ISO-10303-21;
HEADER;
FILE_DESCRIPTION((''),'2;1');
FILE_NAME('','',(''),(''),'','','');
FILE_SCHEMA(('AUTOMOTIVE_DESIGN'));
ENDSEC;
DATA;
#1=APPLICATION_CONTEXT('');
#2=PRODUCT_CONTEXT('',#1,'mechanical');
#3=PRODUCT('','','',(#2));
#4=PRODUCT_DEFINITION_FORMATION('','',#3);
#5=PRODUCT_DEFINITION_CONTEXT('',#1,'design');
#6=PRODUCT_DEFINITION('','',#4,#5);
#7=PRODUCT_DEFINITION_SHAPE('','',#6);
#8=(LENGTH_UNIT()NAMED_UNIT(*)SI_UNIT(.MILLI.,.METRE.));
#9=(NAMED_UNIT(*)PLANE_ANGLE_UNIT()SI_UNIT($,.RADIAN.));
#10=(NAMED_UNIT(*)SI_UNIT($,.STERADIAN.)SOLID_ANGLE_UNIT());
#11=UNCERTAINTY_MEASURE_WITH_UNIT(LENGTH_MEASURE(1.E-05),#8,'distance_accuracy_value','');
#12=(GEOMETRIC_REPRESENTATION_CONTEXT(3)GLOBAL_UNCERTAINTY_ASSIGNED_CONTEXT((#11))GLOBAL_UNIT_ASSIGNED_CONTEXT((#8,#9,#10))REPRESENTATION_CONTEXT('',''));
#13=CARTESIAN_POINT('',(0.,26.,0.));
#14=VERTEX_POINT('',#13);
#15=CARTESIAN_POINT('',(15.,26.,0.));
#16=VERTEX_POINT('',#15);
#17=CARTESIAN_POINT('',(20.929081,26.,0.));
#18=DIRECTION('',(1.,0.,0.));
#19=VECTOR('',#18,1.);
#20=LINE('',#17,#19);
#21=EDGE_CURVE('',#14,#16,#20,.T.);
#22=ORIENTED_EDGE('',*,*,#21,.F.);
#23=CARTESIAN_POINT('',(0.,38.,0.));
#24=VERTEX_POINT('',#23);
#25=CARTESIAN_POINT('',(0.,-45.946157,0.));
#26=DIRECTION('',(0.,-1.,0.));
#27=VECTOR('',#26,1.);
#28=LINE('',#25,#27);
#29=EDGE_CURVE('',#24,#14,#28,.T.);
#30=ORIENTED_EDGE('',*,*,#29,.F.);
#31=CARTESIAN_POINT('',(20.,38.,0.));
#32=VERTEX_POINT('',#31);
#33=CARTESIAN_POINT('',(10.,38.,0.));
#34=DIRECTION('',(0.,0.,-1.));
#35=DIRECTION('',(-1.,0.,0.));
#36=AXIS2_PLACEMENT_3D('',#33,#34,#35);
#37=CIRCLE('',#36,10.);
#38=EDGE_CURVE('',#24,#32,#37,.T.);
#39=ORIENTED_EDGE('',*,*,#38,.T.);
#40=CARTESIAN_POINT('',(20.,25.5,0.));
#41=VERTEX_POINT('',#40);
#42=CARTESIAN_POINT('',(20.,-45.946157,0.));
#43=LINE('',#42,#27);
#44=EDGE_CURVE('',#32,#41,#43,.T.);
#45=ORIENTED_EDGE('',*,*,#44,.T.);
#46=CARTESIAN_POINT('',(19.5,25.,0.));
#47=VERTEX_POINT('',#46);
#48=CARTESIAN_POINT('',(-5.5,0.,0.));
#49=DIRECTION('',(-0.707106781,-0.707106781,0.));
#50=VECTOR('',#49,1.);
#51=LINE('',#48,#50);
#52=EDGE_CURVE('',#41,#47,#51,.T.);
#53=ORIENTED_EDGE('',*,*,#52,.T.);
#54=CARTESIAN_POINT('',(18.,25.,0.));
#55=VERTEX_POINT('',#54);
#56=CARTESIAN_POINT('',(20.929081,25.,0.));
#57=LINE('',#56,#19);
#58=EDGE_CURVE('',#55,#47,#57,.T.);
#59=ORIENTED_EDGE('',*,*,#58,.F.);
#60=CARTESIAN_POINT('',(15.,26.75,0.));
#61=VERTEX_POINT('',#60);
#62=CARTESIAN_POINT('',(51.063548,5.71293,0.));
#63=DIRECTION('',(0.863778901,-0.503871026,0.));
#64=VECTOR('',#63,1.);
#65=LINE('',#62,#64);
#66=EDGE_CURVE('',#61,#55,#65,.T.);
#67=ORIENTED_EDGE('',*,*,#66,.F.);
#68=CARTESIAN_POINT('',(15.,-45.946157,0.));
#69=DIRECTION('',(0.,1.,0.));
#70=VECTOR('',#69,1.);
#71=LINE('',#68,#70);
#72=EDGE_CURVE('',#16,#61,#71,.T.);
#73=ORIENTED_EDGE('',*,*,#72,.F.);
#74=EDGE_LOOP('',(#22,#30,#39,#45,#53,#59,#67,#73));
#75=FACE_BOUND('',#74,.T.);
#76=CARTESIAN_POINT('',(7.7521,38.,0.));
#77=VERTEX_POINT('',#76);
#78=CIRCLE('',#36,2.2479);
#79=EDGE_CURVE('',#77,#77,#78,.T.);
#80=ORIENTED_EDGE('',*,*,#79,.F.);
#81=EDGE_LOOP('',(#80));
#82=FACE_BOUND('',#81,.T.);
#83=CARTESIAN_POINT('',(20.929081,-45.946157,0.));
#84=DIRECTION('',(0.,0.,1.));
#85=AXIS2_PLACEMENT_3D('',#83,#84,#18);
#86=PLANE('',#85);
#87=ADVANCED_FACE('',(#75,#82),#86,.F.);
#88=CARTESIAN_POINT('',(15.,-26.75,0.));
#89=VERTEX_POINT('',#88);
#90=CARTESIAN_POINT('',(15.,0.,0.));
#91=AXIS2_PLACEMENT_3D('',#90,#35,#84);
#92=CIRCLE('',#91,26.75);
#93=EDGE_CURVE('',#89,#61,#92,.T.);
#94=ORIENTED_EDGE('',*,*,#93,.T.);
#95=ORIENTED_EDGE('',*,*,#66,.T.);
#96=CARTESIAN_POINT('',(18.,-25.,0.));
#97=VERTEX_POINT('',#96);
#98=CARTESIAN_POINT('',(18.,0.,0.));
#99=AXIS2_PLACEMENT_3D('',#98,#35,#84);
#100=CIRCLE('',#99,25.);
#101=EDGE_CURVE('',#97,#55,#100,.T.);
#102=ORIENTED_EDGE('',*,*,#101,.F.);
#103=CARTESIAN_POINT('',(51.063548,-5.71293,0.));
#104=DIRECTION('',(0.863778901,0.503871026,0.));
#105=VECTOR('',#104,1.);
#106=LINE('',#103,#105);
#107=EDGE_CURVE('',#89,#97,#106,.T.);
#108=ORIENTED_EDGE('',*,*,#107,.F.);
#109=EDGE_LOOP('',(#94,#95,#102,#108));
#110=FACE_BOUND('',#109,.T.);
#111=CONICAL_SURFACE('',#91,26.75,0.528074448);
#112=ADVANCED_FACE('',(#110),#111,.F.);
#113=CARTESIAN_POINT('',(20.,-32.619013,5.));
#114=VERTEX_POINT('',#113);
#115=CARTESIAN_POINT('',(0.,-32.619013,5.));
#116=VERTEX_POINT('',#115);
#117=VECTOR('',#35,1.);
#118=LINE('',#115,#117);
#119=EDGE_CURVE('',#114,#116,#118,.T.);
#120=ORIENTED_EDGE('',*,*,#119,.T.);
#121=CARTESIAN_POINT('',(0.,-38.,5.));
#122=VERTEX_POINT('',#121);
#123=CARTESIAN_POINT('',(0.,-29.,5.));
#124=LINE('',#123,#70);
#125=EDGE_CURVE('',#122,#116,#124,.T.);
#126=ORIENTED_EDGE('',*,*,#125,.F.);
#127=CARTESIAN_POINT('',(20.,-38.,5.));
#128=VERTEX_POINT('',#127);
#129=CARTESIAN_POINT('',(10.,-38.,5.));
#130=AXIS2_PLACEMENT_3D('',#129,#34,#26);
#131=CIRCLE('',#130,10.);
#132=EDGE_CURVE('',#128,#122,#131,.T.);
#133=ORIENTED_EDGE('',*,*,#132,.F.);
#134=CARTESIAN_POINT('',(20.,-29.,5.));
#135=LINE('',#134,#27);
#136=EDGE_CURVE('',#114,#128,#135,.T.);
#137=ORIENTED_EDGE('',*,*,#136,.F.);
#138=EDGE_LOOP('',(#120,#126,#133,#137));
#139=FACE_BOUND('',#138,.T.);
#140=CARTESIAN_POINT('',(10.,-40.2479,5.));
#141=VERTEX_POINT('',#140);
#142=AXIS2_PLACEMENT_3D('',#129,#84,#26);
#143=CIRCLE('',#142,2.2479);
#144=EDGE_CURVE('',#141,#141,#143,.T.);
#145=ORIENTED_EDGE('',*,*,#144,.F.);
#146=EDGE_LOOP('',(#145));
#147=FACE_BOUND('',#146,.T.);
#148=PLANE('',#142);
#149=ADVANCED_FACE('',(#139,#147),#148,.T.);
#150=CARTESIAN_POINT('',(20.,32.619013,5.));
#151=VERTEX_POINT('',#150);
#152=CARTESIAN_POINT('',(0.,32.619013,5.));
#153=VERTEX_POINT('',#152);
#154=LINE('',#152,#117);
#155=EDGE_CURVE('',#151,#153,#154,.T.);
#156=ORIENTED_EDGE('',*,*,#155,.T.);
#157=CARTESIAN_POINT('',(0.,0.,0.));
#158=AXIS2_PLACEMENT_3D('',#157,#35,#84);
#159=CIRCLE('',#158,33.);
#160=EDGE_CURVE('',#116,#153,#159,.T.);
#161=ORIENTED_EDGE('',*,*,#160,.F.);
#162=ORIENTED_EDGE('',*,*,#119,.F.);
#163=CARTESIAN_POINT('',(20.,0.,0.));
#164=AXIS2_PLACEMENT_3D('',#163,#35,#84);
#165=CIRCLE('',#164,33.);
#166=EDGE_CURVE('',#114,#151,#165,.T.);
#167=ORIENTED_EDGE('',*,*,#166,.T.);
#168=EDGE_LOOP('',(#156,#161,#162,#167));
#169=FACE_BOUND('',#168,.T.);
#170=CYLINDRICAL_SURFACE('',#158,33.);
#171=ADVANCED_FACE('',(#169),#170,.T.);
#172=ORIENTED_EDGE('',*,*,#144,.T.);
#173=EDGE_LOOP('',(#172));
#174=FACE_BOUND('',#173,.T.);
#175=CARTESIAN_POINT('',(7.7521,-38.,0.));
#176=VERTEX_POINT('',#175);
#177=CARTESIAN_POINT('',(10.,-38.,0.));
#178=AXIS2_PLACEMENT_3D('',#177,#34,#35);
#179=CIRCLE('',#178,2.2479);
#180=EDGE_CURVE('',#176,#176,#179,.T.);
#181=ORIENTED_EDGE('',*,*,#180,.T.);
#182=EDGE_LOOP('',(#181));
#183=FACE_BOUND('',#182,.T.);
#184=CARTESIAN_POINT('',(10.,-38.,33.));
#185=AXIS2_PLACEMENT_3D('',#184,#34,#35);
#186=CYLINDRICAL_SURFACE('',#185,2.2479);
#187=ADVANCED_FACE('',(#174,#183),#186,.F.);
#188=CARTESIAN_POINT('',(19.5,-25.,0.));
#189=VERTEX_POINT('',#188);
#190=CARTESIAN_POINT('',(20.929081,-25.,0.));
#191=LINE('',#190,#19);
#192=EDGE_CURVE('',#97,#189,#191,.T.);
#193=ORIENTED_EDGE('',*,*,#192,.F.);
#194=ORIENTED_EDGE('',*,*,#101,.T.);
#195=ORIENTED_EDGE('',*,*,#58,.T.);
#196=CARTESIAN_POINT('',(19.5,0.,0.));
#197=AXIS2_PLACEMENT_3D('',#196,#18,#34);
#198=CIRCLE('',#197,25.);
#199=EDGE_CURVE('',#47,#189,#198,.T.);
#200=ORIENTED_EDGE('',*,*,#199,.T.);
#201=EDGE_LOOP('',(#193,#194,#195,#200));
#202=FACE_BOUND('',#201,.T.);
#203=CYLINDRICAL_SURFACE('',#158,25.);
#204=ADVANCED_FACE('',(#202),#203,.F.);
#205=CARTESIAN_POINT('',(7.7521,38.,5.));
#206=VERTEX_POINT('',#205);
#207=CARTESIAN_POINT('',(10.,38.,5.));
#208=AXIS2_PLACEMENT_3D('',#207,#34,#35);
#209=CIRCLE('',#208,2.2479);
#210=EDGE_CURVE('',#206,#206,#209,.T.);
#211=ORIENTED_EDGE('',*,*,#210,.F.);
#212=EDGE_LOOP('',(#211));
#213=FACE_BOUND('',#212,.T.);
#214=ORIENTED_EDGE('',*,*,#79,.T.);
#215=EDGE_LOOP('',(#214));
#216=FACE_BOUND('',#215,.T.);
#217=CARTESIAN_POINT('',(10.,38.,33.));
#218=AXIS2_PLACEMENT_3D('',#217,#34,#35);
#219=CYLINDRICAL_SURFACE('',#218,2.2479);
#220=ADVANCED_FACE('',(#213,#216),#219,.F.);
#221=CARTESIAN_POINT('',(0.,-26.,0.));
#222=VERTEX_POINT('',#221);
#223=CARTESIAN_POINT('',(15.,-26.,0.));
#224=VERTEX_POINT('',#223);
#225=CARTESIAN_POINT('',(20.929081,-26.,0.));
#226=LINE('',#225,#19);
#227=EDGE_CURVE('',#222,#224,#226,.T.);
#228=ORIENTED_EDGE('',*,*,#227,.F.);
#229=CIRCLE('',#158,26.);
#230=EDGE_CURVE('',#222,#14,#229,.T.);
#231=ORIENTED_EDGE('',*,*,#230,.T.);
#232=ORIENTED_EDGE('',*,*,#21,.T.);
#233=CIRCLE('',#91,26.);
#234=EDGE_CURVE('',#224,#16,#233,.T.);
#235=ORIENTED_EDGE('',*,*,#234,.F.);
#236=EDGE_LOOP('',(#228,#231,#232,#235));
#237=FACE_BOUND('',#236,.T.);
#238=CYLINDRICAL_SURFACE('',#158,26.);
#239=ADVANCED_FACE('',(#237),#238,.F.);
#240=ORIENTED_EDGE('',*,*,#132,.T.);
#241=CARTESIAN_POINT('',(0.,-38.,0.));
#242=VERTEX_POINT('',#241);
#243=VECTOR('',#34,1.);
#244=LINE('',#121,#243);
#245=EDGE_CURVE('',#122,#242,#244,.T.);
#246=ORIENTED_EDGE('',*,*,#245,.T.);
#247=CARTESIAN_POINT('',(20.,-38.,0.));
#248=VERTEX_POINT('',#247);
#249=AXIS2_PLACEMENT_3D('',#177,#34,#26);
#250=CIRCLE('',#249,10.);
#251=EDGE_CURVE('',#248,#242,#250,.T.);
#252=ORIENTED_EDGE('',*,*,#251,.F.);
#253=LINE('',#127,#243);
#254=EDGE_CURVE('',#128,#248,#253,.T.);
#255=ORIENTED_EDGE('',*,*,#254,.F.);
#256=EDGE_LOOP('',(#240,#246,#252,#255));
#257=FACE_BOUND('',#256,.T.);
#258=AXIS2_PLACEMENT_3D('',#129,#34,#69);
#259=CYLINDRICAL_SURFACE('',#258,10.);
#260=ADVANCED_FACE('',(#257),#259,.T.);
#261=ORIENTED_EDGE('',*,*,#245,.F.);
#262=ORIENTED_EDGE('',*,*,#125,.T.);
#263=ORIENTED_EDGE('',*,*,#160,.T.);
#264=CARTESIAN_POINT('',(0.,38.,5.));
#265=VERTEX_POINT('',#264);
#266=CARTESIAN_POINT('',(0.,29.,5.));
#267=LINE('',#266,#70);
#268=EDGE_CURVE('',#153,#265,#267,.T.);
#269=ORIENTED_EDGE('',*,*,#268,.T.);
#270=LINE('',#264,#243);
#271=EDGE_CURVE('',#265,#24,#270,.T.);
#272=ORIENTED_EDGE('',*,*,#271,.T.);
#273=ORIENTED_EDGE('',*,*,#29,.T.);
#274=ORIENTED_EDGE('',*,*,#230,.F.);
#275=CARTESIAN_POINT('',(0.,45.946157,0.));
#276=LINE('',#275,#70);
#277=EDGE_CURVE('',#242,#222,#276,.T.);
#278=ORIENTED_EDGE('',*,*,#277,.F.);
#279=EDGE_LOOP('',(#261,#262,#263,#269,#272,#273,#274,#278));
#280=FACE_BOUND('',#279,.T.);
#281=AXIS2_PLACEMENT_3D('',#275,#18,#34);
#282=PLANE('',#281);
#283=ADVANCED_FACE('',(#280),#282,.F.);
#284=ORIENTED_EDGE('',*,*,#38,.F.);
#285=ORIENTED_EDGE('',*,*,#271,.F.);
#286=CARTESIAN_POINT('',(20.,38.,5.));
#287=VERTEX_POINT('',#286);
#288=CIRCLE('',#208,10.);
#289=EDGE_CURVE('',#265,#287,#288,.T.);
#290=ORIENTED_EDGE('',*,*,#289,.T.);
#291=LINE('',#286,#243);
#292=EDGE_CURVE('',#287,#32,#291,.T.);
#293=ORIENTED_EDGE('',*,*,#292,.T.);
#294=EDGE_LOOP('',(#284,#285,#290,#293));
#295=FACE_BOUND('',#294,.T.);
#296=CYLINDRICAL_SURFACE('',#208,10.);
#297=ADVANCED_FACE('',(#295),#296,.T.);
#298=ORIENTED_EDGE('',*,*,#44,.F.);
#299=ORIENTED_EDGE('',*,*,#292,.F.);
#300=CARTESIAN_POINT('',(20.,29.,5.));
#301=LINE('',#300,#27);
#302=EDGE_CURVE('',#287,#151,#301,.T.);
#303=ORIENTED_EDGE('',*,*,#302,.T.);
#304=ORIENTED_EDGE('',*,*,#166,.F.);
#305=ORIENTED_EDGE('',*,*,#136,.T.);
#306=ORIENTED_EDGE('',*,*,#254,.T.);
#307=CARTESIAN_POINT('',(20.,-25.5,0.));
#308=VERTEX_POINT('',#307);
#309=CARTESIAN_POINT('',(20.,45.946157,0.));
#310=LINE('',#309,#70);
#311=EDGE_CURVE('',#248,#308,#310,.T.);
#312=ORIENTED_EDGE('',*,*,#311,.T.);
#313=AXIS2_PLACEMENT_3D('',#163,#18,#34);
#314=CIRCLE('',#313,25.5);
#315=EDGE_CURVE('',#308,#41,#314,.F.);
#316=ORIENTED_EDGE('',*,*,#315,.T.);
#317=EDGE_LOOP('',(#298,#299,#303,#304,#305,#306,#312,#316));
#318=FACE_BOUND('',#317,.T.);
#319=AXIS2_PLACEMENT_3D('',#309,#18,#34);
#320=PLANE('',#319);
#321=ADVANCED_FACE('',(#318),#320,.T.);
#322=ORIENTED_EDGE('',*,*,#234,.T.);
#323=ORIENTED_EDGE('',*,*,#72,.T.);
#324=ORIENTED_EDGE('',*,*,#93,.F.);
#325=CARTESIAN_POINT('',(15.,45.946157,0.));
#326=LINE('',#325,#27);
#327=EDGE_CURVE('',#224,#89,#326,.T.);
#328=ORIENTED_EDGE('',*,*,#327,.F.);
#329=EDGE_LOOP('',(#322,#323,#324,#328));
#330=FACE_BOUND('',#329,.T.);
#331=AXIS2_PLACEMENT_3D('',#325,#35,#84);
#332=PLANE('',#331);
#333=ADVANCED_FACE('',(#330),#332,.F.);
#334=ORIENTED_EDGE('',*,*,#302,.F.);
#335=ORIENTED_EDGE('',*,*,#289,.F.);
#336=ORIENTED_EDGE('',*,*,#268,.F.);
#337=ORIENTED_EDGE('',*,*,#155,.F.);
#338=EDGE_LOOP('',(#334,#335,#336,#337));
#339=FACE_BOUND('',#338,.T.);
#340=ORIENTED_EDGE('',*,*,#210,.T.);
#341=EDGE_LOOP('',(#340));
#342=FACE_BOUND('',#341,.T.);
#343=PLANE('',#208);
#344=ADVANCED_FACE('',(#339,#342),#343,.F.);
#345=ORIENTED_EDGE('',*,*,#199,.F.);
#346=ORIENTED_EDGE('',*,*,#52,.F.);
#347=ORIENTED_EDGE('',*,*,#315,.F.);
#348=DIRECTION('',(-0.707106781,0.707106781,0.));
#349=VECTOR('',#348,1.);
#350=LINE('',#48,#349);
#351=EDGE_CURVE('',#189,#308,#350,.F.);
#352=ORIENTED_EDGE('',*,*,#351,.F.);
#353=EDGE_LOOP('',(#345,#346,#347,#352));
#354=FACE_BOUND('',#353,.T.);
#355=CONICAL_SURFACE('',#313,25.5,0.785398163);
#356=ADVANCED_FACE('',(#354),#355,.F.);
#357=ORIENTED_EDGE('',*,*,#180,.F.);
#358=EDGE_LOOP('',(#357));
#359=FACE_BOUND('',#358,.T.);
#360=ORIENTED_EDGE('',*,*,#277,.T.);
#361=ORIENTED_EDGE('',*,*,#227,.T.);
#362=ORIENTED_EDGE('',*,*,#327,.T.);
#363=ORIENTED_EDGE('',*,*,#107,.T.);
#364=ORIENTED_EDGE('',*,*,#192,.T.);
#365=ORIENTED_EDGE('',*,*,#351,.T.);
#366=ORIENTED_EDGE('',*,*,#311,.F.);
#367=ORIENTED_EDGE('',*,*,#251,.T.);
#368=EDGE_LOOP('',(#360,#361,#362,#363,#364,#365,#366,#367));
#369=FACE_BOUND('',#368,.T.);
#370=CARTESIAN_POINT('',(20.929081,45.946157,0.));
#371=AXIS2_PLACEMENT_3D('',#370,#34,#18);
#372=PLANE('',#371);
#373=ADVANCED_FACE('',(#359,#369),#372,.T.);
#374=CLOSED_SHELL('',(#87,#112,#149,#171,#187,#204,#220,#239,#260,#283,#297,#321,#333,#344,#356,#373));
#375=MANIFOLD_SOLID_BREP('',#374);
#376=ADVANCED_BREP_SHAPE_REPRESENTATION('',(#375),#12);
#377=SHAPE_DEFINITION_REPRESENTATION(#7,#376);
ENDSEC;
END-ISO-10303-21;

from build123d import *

# Parameters (mm, degrees)
REVOLVE1_ANGLE      = 180
BOSS_EXTRUDE3_DEPTH = 5
BOSS_EXTRUDE4_DEPTH = 5
SKETCH17_R          = 2.2479
CUT_EXTRUDE1_DEPTH  = 34
CHAMFER1_SIZE       = 0.5


with BuildPart() as part:
    # Sketch1 → Revolve1 (revolve)
    with BuildSketch(Plane.XY):
        Polygon((15, 26), (15, 26.75), (18, 25), (20, 25), (20, 33), (0, 33), (0, 26), align=None)
    revolve(axis=Axis((0, 0, 0), (1, 0, 0)), revolution_arc=REVOLVE1_ANGLE)

    # Sketch9 → Boss-Extrude3 (add)
    with BuildSketch(Plane(origin=(0, 0, 0), x_dir=(-1, 0, 0), z_dir=(0, 0, -1))):
        with BuildLine():
            Line((-20, 29), (0, 29))
            Line((0, 29), (0, 38))
            ThreePointArc((0, 38), (-10, 48), (-20, 38))
            Line((-20, 38), (-20, 29))
        make_face()
    extrude(amount=-BOSS_EXTRUDE3_DEPTH)

    # Sketch11 → Boss-Extrude4 (add)
    with BuildSketch(Plane(origin=(0, 0, 0), x_dir=(-1, 0, 0), z_dir=(0, 0, -1))):
        with BuildLine():
            Line((-20, -29), (0, -29))
            Line((0, -29), (0, -38))
            ThreePointArc((0, -38), (-10, -48), (-20, -38))
            Line((-20, -38), (-20, -29))
        make_face()
    extrude(amount=-BOSS_EXTRUDE4_DEPTH)

    # Sketch17 → Cut-Extrude1 (cut, through all)
    with BuildSketch(Plane(origin=(0, 0, 0), x_dir=(-1, 0, 0), z_dir=(0, 0, -1))):
        with Locations((-10, 38)):
            Circle(SKETCH17_R)
        with Locations((-10, -38)):
            Circle(SKETCH17_R)
    extrude(amount=-CUT_EXTRUDE1_DEPTH, mode=Mode.SUBTRACT)

    # Chamfer1
    chamfer1_edges = [part.edges().sort_by_distance(p)[0] for p in [
        (20, 0, 25),
    ]]
    chamfer(chamfer1_edges, length=CHAMFER1_SIZE)


solid = part.part
